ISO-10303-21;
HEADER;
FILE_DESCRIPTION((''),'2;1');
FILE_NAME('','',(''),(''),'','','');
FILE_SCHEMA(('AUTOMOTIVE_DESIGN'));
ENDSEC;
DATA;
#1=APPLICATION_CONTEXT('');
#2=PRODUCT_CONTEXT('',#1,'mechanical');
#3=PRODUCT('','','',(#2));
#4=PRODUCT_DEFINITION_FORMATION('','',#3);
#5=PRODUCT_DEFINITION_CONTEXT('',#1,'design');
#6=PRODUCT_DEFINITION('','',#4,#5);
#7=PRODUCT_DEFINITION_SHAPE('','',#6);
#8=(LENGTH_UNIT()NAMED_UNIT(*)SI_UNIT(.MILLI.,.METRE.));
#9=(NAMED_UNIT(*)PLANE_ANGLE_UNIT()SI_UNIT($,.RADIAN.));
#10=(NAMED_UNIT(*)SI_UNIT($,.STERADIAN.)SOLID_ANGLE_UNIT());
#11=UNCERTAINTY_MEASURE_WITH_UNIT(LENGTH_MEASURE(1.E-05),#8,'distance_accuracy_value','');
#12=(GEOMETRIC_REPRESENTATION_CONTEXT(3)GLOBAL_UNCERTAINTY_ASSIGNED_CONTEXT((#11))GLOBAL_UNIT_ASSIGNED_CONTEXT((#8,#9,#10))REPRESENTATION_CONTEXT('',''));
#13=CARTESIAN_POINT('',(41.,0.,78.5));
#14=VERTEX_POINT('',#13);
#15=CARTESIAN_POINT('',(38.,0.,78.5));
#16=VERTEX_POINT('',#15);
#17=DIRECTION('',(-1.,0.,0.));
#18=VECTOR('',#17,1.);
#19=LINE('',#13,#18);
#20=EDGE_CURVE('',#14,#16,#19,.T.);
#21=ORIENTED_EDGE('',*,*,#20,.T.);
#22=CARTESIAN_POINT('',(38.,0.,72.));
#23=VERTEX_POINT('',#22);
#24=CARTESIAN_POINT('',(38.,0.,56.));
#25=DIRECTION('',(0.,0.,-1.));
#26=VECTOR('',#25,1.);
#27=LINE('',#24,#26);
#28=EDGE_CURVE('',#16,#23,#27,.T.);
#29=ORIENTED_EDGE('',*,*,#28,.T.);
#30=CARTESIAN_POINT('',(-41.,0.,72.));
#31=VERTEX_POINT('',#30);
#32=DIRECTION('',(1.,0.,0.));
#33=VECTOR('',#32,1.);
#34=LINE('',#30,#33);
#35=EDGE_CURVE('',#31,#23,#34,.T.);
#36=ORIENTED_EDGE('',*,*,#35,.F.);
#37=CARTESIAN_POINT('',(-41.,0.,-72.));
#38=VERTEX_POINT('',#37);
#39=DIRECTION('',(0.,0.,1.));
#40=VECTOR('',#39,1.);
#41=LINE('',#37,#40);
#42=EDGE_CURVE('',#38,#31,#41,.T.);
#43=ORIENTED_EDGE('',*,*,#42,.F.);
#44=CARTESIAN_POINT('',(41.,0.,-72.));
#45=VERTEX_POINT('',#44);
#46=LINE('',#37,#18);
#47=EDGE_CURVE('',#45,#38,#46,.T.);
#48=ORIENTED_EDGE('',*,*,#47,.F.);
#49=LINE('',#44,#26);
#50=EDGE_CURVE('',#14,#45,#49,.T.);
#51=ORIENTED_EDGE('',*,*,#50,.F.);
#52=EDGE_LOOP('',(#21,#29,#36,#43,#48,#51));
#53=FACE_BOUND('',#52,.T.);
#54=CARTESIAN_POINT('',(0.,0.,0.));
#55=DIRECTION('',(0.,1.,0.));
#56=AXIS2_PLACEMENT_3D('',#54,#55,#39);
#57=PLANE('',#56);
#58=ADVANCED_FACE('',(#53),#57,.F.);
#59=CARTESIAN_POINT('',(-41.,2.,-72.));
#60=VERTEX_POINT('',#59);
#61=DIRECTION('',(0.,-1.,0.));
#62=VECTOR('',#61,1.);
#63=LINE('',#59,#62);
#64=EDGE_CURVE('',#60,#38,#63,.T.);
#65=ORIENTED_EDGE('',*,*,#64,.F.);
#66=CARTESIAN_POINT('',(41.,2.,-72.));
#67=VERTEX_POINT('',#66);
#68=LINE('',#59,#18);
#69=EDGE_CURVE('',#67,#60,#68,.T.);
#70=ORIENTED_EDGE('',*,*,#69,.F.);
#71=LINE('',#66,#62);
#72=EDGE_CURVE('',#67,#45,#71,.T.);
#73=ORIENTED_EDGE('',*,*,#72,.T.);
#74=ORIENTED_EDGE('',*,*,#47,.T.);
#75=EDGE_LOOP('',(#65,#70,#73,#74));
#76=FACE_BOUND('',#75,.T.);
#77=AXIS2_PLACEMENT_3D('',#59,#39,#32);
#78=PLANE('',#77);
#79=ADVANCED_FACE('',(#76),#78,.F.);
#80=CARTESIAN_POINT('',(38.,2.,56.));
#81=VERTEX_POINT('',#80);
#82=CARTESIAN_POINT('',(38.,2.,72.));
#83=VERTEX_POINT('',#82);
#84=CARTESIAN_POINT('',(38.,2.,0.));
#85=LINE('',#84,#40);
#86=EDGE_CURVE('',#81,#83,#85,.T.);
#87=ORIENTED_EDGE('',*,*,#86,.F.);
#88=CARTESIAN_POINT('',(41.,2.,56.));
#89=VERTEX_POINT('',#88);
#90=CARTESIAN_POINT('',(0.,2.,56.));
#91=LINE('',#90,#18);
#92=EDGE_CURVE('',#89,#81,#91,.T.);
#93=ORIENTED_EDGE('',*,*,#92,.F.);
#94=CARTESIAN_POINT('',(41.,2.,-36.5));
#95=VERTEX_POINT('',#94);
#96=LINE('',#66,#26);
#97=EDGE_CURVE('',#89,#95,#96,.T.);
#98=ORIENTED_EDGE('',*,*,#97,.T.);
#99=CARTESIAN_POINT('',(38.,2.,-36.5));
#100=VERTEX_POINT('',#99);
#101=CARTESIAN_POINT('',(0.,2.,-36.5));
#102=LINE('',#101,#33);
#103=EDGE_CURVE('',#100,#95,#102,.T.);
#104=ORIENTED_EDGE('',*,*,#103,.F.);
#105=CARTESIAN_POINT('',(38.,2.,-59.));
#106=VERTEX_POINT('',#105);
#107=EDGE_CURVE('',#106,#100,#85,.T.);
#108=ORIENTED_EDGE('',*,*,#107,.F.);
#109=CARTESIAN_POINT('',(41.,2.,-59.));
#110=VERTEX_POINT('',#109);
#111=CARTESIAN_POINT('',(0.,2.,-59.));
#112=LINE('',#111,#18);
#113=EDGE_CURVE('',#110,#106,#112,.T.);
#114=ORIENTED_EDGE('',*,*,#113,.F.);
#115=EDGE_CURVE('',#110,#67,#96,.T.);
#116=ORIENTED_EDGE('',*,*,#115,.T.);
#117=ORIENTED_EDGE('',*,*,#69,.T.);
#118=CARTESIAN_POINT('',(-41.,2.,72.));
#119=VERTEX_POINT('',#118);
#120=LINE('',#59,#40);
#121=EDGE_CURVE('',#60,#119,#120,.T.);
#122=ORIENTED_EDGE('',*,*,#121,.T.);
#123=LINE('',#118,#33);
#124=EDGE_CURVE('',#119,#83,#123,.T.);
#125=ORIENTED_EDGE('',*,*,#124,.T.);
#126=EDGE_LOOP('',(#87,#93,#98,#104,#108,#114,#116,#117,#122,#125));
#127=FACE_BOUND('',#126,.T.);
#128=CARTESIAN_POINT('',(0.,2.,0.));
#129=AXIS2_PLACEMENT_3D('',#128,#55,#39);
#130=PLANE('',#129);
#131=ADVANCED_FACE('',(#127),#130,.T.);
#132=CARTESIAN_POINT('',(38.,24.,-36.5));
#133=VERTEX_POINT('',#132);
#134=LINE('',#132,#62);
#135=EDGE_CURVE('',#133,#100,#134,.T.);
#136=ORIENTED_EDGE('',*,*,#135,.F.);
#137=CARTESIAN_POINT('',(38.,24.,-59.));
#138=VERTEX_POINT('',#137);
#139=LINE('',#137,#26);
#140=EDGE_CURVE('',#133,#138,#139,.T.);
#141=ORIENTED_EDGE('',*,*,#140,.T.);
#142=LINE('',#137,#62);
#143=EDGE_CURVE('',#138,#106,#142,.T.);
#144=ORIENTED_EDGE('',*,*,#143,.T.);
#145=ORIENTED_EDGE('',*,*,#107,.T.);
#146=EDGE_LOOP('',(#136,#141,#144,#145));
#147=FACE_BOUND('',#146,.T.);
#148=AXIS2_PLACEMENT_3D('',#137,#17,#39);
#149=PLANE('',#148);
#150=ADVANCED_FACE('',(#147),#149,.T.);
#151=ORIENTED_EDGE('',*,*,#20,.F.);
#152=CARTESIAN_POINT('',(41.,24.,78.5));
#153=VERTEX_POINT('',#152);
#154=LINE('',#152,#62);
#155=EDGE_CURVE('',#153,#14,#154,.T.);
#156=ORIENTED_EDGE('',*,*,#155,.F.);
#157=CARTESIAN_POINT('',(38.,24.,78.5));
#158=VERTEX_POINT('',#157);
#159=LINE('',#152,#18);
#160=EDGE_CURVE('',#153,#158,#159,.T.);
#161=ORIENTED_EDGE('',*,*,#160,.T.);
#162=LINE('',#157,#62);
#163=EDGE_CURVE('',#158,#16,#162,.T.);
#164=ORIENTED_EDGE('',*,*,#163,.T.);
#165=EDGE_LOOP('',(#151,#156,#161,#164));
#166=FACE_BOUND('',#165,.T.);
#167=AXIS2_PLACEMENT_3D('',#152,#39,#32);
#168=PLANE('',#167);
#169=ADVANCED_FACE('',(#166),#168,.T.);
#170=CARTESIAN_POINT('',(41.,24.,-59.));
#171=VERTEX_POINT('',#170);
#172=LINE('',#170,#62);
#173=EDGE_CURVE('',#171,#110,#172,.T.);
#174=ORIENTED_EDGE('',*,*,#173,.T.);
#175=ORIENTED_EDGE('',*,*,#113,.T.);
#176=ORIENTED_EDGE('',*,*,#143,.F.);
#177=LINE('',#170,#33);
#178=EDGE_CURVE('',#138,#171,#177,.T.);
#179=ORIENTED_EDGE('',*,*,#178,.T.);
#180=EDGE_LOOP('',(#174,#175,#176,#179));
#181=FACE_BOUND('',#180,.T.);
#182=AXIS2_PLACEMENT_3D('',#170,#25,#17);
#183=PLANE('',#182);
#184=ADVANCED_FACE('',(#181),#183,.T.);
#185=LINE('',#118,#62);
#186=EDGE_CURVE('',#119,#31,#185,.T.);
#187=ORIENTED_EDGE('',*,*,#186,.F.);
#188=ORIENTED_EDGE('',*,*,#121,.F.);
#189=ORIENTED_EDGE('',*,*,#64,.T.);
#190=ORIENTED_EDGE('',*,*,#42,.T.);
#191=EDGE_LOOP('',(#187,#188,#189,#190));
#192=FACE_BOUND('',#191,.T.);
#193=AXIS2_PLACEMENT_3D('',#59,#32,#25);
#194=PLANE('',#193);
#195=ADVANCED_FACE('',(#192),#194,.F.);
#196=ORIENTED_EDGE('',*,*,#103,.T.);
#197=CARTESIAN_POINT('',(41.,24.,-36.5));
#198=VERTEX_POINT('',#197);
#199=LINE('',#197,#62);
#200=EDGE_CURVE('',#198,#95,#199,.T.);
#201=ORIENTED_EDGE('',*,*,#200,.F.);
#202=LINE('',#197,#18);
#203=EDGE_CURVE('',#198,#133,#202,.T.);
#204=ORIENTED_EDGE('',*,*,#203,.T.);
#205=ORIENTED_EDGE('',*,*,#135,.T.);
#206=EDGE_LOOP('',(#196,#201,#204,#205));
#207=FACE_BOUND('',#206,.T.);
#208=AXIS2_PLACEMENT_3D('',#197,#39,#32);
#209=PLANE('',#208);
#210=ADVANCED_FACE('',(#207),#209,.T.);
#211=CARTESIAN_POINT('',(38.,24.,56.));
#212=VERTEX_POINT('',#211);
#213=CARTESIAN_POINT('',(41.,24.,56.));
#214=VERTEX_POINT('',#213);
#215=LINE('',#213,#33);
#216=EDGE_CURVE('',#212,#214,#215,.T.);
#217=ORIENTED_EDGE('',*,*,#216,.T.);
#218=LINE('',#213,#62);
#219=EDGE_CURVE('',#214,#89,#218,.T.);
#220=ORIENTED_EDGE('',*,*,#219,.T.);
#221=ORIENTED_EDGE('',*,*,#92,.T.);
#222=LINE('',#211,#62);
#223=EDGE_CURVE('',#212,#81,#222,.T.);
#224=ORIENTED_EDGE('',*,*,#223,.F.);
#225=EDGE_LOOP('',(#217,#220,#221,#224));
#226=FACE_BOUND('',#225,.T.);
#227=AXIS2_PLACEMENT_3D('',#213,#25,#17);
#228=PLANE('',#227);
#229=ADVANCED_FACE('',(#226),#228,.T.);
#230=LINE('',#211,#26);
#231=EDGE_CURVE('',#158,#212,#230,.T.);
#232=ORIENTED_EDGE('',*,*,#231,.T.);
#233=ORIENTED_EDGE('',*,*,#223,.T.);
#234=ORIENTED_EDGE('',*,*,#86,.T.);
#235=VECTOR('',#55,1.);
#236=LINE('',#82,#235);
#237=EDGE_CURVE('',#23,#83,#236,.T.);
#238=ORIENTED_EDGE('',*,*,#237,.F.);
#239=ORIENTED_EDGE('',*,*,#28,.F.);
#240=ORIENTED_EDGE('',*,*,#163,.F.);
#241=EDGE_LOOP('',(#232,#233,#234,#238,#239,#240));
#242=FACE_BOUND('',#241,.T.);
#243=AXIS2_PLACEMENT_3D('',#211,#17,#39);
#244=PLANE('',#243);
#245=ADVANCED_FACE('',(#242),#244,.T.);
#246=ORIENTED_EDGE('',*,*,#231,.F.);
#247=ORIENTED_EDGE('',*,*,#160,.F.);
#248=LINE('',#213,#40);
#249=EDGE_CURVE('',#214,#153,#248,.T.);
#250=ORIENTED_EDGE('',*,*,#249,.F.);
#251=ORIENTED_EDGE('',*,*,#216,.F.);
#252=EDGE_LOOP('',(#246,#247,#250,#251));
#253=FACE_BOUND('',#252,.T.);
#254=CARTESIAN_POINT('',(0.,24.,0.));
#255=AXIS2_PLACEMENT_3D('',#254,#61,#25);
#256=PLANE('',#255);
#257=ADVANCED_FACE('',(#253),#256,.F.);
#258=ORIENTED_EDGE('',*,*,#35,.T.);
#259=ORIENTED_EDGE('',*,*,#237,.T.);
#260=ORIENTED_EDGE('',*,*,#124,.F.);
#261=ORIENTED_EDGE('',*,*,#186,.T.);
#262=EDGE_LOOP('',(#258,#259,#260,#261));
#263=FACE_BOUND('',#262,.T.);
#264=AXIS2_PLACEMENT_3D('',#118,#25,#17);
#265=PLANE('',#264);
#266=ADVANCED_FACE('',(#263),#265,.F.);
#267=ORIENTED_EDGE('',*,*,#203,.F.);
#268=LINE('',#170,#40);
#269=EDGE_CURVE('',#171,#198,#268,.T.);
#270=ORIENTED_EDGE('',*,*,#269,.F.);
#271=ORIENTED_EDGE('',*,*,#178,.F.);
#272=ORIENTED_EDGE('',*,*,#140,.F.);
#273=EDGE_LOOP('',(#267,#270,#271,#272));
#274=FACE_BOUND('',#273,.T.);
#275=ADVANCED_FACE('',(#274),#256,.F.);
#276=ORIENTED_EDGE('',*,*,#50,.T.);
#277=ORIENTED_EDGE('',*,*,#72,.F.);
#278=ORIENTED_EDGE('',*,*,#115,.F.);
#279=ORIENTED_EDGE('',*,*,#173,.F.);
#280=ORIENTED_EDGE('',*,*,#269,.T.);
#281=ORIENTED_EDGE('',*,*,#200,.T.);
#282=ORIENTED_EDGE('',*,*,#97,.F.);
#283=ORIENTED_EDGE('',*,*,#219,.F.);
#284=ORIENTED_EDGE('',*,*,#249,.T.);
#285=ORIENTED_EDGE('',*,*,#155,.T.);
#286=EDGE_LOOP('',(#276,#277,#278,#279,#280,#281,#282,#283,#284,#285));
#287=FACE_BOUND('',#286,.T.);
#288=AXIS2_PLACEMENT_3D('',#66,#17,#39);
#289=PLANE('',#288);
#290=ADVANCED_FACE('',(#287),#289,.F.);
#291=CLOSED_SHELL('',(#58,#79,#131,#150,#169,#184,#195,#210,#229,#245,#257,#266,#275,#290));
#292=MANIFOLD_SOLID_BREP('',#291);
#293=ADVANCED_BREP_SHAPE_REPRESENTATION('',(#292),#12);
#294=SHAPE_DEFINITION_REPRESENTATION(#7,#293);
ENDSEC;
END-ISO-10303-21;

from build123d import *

# Parameters (mm, degrees)
CROQUIS1_W              = 82
CROQUIS1_H              = 144
SALIENTE_EXTRUIR1_DEPTH = 2
CROQUIS2_W              = 3
CROQUIS2_H              = 22.5
SALIENTE_EXTRUIR4_DEPTH = 24


with BuildPart() as part:
    # Croquis1 → Saliente-Extruir1 (new body)
    with BuildSketch(Plane(origin=(0, 0, 0), x_dir=(1, 0, 0), z_dir=(0, 1, 0))):
        Rectangle(CROQUIS1_W, CROQUIS1_H)
    extrude(amount=SALIENTE_EXTRUIR1_DEPTH)

    # Croquis2 → Saliente-Extruir4 (add)
    with BuildSketch(Plane.XZ):
        with Locations((39.5, 67.25)):
            Rectangle(CROQUIS2_W, CROQUIS2_H)
        with Locations((39.5, -47.75)):
            Rectangle(CROQUIS2_W, CROQUIS2_H)
    extrude(amount=-SALIENTE_EXTRUIR4_DEPTH)


solid = part.part
